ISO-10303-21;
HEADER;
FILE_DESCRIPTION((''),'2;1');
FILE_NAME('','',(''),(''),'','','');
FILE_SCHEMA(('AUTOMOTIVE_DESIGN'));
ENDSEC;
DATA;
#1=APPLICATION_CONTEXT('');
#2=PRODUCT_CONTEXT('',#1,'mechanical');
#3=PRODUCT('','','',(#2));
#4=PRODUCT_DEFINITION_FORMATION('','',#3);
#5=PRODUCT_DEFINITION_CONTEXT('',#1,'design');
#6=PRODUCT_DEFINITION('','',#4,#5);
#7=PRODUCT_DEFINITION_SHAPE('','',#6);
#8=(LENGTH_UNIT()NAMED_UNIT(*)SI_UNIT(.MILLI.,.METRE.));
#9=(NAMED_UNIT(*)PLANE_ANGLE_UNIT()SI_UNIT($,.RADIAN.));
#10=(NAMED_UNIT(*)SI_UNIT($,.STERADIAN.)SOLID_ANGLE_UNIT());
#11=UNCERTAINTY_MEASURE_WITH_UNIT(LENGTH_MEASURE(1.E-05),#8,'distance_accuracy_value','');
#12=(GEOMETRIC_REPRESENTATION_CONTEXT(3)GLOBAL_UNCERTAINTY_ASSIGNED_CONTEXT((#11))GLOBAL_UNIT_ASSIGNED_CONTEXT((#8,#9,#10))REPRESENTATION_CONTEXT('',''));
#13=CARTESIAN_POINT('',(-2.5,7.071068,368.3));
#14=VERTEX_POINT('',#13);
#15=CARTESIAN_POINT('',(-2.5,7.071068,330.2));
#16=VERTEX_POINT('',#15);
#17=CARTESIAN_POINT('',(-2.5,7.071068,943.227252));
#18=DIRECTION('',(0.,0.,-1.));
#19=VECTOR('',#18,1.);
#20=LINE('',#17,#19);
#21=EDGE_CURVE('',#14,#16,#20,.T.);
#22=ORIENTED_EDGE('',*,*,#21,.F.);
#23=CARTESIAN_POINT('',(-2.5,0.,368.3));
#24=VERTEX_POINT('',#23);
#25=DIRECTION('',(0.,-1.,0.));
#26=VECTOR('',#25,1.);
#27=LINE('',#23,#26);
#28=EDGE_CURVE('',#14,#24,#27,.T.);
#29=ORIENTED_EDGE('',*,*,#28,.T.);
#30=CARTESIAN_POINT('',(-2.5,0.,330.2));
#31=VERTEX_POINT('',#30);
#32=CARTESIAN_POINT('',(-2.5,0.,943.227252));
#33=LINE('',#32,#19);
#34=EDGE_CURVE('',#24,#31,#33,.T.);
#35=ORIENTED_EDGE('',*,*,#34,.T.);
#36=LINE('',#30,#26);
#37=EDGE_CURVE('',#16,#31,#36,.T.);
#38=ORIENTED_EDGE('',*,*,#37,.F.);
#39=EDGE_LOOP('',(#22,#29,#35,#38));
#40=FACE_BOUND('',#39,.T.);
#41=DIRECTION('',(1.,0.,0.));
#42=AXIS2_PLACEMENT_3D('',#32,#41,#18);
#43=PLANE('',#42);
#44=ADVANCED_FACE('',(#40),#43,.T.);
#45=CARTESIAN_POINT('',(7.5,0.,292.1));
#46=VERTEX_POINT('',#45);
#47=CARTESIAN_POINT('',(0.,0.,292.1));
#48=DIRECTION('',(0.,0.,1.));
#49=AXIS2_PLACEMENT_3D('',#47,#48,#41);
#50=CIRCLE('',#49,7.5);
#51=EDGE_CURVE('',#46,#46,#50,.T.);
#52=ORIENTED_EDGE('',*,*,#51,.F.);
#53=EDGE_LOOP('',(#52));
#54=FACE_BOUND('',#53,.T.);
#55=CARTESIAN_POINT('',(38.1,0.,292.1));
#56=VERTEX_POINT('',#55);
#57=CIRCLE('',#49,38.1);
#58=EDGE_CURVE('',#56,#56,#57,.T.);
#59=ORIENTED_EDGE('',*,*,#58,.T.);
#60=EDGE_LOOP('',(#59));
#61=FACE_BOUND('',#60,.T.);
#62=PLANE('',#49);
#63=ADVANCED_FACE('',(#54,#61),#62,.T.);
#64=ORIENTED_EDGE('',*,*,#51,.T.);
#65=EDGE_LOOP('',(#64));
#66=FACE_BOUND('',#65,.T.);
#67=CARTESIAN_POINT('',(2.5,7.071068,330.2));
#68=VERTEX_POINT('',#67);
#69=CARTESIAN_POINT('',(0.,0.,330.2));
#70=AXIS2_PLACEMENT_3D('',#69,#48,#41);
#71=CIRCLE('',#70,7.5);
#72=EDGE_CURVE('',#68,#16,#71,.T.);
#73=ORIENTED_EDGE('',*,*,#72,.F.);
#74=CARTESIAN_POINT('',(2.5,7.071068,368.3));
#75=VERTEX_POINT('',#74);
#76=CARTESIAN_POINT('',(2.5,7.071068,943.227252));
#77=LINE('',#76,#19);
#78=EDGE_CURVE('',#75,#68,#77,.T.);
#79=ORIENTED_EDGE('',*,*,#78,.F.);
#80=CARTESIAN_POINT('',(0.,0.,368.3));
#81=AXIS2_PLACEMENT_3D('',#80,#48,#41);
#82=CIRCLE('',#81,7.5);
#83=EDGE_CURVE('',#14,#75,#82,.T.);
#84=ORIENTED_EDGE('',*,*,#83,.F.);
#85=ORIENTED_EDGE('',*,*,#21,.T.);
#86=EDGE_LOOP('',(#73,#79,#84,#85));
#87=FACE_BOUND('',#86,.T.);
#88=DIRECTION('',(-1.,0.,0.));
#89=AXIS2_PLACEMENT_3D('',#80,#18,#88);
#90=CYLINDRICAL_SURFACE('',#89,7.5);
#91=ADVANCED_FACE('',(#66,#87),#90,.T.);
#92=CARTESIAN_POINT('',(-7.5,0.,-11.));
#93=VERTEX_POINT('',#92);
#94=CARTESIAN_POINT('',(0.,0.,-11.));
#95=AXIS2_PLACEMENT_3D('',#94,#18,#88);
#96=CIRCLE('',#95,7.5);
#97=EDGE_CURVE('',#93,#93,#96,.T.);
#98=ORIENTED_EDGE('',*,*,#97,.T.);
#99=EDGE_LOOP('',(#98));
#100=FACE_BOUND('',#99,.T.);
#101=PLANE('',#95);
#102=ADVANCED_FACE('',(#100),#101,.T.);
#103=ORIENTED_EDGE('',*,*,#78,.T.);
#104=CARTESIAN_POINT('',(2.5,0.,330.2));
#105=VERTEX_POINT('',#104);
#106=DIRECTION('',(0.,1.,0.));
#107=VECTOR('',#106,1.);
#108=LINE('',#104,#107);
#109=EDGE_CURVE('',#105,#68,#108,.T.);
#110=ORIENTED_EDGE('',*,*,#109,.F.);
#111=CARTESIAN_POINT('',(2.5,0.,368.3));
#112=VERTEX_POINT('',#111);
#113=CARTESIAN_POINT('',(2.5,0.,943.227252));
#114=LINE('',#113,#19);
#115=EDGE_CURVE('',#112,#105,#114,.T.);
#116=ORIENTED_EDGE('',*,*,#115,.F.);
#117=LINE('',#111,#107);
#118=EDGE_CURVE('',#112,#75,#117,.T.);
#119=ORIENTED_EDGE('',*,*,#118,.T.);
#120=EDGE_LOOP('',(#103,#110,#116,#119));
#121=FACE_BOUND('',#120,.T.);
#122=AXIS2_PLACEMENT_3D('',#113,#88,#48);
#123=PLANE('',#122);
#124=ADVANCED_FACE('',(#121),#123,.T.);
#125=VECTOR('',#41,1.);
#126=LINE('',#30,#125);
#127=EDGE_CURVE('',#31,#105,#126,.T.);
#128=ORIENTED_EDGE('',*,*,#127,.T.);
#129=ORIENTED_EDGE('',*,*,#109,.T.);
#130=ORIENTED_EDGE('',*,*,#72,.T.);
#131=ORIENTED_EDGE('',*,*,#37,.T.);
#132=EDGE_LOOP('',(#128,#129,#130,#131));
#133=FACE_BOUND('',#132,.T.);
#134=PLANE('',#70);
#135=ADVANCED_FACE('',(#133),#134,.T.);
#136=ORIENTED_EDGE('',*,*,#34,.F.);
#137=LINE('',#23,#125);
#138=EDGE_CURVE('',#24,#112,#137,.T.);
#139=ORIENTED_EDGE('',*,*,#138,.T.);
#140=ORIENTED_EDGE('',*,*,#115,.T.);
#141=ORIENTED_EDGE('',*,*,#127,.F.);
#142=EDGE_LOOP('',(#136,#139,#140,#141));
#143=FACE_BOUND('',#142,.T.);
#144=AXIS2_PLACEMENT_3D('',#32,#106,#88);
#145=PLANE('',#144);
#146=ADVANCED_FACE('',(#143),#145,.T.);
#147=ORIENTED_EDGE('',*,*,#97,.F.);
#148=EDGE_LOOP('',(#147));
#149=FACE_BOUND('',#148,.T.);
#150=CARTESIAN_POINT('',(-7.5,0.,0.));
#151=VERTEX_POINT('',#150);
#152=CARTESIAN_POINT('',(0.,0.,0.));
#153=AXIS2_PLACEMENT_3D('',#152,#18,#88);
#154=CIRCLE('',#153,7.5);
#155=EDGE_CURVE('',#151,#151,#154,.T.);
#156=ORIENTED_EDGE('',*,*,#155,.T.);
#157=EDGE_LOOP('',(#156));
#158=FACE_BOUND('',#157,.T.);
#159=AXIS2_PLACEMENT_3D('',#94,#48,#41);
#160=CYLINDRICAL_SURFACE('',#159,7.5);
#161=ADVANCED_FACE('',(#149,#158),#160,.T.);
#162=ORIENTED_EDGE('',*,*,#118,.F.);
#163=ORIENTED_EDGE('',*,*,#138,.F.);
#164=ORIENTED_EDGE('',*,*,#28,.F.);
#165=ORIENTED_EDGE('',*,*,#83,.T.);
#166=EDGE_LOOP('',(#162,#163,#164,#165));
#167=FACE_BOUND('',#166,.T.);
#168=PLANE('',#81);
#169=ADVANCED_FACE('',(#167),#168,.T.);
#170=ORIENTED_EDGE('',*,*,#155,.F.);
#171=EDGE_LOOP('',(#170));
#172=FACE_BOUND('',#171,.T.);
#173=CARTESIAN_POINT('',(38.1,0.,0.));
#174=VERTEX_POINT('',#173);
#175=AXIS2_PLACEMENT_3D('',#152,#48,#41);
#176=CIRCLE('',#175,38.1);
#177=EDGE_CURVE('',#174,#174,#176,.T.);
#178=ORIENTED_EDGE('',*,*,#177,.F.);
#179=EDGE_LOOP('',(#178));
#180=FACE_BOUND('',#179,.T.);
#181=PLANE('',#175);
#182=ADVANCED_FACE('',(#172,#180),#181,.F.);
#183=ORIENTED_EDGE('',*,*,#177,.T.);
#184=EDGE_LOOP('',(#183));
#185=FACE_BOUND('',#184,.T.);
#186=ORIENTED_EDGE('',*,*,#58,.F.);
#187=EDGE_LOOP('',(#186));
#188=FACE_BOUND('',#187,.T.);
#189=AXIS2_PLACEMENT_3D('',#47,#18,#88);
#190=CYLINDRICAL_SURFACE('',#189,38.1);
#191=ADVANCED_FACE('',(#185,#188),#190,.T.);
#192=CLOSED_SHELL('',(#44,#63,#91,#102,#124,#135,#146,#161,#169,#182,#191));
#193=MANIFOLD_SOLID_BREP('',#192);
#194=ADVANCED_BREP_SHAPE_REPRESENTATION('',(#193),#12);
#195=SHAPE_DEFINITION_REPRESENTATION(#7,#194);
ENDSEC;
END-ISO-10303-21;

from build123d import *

# Parameters (mm, degrees)
SKETCH1_R               = 38.1
BOSS_EXTRUDE1_DEPTH     = 292.1
SKETCH3_R               = 7.5
BOSS_EXTRUDE2_DEPTH     = 76.2
CUT_EXTRUDE1_DEPTH      = 1
CUT_EXTRUDE1_DEPTH_BACK = 38.1
SKETCH5_R               = 7.5
BOSS_EXTRUDE3_DEPTH     = 11


with BuildPart() as part:
    # Sketch1 → Boss-Extrude1 (new body)
    with BuildSketch(Plane.XY):
        Circle(SKETCH1_R)
    extrude(amount=BOSS_EXTRUDE1_DEPTH)

    # Sketch3 → Boss-Extrude2 (add)
    with BuildSketch(Plane.XY.offset(292.1)):
        Circle(SKETCH3_R)
    extrude(amount=BOSS_EXTRUDE2_DEPTH)

    # Sketch4 → Cut-Extrude1 (cut, two sides)
    with BuildSketch(Plane.XY.offset(368.3)) as cut_extrude1_sk:
        Polygon((-2.5, 138.541811076), (-2.5, 7.071067812), (-2.5, 0), (2.5, 0), (2.5, 7.071067812), (2.5, 138.541811076), (2.5, 401.483297603), (-2.5, 401.483297603), align=None)
    extrude(amount=CUT_EXTRUDE1_DEPTH, mode=Mode.SUBTRACT)
    extrude(cut_extrude1_sk.sketch, amount=-CUT_EXTRUDE1_DEPTH_BACK, mode=Mode.SUBTRACT)

    # Sketch5 → Boss-Extrude3 (add)
    with BuildSketch(Plane(origin=(0, 0, 0), x_dir=(-1, 0, 0), z_dir=(0, 0, -1))):
        Circle(SKETCH5_R)
    extrude(amount=BOSS_EXTRUDE3_DEPTH)


solid = part.part
